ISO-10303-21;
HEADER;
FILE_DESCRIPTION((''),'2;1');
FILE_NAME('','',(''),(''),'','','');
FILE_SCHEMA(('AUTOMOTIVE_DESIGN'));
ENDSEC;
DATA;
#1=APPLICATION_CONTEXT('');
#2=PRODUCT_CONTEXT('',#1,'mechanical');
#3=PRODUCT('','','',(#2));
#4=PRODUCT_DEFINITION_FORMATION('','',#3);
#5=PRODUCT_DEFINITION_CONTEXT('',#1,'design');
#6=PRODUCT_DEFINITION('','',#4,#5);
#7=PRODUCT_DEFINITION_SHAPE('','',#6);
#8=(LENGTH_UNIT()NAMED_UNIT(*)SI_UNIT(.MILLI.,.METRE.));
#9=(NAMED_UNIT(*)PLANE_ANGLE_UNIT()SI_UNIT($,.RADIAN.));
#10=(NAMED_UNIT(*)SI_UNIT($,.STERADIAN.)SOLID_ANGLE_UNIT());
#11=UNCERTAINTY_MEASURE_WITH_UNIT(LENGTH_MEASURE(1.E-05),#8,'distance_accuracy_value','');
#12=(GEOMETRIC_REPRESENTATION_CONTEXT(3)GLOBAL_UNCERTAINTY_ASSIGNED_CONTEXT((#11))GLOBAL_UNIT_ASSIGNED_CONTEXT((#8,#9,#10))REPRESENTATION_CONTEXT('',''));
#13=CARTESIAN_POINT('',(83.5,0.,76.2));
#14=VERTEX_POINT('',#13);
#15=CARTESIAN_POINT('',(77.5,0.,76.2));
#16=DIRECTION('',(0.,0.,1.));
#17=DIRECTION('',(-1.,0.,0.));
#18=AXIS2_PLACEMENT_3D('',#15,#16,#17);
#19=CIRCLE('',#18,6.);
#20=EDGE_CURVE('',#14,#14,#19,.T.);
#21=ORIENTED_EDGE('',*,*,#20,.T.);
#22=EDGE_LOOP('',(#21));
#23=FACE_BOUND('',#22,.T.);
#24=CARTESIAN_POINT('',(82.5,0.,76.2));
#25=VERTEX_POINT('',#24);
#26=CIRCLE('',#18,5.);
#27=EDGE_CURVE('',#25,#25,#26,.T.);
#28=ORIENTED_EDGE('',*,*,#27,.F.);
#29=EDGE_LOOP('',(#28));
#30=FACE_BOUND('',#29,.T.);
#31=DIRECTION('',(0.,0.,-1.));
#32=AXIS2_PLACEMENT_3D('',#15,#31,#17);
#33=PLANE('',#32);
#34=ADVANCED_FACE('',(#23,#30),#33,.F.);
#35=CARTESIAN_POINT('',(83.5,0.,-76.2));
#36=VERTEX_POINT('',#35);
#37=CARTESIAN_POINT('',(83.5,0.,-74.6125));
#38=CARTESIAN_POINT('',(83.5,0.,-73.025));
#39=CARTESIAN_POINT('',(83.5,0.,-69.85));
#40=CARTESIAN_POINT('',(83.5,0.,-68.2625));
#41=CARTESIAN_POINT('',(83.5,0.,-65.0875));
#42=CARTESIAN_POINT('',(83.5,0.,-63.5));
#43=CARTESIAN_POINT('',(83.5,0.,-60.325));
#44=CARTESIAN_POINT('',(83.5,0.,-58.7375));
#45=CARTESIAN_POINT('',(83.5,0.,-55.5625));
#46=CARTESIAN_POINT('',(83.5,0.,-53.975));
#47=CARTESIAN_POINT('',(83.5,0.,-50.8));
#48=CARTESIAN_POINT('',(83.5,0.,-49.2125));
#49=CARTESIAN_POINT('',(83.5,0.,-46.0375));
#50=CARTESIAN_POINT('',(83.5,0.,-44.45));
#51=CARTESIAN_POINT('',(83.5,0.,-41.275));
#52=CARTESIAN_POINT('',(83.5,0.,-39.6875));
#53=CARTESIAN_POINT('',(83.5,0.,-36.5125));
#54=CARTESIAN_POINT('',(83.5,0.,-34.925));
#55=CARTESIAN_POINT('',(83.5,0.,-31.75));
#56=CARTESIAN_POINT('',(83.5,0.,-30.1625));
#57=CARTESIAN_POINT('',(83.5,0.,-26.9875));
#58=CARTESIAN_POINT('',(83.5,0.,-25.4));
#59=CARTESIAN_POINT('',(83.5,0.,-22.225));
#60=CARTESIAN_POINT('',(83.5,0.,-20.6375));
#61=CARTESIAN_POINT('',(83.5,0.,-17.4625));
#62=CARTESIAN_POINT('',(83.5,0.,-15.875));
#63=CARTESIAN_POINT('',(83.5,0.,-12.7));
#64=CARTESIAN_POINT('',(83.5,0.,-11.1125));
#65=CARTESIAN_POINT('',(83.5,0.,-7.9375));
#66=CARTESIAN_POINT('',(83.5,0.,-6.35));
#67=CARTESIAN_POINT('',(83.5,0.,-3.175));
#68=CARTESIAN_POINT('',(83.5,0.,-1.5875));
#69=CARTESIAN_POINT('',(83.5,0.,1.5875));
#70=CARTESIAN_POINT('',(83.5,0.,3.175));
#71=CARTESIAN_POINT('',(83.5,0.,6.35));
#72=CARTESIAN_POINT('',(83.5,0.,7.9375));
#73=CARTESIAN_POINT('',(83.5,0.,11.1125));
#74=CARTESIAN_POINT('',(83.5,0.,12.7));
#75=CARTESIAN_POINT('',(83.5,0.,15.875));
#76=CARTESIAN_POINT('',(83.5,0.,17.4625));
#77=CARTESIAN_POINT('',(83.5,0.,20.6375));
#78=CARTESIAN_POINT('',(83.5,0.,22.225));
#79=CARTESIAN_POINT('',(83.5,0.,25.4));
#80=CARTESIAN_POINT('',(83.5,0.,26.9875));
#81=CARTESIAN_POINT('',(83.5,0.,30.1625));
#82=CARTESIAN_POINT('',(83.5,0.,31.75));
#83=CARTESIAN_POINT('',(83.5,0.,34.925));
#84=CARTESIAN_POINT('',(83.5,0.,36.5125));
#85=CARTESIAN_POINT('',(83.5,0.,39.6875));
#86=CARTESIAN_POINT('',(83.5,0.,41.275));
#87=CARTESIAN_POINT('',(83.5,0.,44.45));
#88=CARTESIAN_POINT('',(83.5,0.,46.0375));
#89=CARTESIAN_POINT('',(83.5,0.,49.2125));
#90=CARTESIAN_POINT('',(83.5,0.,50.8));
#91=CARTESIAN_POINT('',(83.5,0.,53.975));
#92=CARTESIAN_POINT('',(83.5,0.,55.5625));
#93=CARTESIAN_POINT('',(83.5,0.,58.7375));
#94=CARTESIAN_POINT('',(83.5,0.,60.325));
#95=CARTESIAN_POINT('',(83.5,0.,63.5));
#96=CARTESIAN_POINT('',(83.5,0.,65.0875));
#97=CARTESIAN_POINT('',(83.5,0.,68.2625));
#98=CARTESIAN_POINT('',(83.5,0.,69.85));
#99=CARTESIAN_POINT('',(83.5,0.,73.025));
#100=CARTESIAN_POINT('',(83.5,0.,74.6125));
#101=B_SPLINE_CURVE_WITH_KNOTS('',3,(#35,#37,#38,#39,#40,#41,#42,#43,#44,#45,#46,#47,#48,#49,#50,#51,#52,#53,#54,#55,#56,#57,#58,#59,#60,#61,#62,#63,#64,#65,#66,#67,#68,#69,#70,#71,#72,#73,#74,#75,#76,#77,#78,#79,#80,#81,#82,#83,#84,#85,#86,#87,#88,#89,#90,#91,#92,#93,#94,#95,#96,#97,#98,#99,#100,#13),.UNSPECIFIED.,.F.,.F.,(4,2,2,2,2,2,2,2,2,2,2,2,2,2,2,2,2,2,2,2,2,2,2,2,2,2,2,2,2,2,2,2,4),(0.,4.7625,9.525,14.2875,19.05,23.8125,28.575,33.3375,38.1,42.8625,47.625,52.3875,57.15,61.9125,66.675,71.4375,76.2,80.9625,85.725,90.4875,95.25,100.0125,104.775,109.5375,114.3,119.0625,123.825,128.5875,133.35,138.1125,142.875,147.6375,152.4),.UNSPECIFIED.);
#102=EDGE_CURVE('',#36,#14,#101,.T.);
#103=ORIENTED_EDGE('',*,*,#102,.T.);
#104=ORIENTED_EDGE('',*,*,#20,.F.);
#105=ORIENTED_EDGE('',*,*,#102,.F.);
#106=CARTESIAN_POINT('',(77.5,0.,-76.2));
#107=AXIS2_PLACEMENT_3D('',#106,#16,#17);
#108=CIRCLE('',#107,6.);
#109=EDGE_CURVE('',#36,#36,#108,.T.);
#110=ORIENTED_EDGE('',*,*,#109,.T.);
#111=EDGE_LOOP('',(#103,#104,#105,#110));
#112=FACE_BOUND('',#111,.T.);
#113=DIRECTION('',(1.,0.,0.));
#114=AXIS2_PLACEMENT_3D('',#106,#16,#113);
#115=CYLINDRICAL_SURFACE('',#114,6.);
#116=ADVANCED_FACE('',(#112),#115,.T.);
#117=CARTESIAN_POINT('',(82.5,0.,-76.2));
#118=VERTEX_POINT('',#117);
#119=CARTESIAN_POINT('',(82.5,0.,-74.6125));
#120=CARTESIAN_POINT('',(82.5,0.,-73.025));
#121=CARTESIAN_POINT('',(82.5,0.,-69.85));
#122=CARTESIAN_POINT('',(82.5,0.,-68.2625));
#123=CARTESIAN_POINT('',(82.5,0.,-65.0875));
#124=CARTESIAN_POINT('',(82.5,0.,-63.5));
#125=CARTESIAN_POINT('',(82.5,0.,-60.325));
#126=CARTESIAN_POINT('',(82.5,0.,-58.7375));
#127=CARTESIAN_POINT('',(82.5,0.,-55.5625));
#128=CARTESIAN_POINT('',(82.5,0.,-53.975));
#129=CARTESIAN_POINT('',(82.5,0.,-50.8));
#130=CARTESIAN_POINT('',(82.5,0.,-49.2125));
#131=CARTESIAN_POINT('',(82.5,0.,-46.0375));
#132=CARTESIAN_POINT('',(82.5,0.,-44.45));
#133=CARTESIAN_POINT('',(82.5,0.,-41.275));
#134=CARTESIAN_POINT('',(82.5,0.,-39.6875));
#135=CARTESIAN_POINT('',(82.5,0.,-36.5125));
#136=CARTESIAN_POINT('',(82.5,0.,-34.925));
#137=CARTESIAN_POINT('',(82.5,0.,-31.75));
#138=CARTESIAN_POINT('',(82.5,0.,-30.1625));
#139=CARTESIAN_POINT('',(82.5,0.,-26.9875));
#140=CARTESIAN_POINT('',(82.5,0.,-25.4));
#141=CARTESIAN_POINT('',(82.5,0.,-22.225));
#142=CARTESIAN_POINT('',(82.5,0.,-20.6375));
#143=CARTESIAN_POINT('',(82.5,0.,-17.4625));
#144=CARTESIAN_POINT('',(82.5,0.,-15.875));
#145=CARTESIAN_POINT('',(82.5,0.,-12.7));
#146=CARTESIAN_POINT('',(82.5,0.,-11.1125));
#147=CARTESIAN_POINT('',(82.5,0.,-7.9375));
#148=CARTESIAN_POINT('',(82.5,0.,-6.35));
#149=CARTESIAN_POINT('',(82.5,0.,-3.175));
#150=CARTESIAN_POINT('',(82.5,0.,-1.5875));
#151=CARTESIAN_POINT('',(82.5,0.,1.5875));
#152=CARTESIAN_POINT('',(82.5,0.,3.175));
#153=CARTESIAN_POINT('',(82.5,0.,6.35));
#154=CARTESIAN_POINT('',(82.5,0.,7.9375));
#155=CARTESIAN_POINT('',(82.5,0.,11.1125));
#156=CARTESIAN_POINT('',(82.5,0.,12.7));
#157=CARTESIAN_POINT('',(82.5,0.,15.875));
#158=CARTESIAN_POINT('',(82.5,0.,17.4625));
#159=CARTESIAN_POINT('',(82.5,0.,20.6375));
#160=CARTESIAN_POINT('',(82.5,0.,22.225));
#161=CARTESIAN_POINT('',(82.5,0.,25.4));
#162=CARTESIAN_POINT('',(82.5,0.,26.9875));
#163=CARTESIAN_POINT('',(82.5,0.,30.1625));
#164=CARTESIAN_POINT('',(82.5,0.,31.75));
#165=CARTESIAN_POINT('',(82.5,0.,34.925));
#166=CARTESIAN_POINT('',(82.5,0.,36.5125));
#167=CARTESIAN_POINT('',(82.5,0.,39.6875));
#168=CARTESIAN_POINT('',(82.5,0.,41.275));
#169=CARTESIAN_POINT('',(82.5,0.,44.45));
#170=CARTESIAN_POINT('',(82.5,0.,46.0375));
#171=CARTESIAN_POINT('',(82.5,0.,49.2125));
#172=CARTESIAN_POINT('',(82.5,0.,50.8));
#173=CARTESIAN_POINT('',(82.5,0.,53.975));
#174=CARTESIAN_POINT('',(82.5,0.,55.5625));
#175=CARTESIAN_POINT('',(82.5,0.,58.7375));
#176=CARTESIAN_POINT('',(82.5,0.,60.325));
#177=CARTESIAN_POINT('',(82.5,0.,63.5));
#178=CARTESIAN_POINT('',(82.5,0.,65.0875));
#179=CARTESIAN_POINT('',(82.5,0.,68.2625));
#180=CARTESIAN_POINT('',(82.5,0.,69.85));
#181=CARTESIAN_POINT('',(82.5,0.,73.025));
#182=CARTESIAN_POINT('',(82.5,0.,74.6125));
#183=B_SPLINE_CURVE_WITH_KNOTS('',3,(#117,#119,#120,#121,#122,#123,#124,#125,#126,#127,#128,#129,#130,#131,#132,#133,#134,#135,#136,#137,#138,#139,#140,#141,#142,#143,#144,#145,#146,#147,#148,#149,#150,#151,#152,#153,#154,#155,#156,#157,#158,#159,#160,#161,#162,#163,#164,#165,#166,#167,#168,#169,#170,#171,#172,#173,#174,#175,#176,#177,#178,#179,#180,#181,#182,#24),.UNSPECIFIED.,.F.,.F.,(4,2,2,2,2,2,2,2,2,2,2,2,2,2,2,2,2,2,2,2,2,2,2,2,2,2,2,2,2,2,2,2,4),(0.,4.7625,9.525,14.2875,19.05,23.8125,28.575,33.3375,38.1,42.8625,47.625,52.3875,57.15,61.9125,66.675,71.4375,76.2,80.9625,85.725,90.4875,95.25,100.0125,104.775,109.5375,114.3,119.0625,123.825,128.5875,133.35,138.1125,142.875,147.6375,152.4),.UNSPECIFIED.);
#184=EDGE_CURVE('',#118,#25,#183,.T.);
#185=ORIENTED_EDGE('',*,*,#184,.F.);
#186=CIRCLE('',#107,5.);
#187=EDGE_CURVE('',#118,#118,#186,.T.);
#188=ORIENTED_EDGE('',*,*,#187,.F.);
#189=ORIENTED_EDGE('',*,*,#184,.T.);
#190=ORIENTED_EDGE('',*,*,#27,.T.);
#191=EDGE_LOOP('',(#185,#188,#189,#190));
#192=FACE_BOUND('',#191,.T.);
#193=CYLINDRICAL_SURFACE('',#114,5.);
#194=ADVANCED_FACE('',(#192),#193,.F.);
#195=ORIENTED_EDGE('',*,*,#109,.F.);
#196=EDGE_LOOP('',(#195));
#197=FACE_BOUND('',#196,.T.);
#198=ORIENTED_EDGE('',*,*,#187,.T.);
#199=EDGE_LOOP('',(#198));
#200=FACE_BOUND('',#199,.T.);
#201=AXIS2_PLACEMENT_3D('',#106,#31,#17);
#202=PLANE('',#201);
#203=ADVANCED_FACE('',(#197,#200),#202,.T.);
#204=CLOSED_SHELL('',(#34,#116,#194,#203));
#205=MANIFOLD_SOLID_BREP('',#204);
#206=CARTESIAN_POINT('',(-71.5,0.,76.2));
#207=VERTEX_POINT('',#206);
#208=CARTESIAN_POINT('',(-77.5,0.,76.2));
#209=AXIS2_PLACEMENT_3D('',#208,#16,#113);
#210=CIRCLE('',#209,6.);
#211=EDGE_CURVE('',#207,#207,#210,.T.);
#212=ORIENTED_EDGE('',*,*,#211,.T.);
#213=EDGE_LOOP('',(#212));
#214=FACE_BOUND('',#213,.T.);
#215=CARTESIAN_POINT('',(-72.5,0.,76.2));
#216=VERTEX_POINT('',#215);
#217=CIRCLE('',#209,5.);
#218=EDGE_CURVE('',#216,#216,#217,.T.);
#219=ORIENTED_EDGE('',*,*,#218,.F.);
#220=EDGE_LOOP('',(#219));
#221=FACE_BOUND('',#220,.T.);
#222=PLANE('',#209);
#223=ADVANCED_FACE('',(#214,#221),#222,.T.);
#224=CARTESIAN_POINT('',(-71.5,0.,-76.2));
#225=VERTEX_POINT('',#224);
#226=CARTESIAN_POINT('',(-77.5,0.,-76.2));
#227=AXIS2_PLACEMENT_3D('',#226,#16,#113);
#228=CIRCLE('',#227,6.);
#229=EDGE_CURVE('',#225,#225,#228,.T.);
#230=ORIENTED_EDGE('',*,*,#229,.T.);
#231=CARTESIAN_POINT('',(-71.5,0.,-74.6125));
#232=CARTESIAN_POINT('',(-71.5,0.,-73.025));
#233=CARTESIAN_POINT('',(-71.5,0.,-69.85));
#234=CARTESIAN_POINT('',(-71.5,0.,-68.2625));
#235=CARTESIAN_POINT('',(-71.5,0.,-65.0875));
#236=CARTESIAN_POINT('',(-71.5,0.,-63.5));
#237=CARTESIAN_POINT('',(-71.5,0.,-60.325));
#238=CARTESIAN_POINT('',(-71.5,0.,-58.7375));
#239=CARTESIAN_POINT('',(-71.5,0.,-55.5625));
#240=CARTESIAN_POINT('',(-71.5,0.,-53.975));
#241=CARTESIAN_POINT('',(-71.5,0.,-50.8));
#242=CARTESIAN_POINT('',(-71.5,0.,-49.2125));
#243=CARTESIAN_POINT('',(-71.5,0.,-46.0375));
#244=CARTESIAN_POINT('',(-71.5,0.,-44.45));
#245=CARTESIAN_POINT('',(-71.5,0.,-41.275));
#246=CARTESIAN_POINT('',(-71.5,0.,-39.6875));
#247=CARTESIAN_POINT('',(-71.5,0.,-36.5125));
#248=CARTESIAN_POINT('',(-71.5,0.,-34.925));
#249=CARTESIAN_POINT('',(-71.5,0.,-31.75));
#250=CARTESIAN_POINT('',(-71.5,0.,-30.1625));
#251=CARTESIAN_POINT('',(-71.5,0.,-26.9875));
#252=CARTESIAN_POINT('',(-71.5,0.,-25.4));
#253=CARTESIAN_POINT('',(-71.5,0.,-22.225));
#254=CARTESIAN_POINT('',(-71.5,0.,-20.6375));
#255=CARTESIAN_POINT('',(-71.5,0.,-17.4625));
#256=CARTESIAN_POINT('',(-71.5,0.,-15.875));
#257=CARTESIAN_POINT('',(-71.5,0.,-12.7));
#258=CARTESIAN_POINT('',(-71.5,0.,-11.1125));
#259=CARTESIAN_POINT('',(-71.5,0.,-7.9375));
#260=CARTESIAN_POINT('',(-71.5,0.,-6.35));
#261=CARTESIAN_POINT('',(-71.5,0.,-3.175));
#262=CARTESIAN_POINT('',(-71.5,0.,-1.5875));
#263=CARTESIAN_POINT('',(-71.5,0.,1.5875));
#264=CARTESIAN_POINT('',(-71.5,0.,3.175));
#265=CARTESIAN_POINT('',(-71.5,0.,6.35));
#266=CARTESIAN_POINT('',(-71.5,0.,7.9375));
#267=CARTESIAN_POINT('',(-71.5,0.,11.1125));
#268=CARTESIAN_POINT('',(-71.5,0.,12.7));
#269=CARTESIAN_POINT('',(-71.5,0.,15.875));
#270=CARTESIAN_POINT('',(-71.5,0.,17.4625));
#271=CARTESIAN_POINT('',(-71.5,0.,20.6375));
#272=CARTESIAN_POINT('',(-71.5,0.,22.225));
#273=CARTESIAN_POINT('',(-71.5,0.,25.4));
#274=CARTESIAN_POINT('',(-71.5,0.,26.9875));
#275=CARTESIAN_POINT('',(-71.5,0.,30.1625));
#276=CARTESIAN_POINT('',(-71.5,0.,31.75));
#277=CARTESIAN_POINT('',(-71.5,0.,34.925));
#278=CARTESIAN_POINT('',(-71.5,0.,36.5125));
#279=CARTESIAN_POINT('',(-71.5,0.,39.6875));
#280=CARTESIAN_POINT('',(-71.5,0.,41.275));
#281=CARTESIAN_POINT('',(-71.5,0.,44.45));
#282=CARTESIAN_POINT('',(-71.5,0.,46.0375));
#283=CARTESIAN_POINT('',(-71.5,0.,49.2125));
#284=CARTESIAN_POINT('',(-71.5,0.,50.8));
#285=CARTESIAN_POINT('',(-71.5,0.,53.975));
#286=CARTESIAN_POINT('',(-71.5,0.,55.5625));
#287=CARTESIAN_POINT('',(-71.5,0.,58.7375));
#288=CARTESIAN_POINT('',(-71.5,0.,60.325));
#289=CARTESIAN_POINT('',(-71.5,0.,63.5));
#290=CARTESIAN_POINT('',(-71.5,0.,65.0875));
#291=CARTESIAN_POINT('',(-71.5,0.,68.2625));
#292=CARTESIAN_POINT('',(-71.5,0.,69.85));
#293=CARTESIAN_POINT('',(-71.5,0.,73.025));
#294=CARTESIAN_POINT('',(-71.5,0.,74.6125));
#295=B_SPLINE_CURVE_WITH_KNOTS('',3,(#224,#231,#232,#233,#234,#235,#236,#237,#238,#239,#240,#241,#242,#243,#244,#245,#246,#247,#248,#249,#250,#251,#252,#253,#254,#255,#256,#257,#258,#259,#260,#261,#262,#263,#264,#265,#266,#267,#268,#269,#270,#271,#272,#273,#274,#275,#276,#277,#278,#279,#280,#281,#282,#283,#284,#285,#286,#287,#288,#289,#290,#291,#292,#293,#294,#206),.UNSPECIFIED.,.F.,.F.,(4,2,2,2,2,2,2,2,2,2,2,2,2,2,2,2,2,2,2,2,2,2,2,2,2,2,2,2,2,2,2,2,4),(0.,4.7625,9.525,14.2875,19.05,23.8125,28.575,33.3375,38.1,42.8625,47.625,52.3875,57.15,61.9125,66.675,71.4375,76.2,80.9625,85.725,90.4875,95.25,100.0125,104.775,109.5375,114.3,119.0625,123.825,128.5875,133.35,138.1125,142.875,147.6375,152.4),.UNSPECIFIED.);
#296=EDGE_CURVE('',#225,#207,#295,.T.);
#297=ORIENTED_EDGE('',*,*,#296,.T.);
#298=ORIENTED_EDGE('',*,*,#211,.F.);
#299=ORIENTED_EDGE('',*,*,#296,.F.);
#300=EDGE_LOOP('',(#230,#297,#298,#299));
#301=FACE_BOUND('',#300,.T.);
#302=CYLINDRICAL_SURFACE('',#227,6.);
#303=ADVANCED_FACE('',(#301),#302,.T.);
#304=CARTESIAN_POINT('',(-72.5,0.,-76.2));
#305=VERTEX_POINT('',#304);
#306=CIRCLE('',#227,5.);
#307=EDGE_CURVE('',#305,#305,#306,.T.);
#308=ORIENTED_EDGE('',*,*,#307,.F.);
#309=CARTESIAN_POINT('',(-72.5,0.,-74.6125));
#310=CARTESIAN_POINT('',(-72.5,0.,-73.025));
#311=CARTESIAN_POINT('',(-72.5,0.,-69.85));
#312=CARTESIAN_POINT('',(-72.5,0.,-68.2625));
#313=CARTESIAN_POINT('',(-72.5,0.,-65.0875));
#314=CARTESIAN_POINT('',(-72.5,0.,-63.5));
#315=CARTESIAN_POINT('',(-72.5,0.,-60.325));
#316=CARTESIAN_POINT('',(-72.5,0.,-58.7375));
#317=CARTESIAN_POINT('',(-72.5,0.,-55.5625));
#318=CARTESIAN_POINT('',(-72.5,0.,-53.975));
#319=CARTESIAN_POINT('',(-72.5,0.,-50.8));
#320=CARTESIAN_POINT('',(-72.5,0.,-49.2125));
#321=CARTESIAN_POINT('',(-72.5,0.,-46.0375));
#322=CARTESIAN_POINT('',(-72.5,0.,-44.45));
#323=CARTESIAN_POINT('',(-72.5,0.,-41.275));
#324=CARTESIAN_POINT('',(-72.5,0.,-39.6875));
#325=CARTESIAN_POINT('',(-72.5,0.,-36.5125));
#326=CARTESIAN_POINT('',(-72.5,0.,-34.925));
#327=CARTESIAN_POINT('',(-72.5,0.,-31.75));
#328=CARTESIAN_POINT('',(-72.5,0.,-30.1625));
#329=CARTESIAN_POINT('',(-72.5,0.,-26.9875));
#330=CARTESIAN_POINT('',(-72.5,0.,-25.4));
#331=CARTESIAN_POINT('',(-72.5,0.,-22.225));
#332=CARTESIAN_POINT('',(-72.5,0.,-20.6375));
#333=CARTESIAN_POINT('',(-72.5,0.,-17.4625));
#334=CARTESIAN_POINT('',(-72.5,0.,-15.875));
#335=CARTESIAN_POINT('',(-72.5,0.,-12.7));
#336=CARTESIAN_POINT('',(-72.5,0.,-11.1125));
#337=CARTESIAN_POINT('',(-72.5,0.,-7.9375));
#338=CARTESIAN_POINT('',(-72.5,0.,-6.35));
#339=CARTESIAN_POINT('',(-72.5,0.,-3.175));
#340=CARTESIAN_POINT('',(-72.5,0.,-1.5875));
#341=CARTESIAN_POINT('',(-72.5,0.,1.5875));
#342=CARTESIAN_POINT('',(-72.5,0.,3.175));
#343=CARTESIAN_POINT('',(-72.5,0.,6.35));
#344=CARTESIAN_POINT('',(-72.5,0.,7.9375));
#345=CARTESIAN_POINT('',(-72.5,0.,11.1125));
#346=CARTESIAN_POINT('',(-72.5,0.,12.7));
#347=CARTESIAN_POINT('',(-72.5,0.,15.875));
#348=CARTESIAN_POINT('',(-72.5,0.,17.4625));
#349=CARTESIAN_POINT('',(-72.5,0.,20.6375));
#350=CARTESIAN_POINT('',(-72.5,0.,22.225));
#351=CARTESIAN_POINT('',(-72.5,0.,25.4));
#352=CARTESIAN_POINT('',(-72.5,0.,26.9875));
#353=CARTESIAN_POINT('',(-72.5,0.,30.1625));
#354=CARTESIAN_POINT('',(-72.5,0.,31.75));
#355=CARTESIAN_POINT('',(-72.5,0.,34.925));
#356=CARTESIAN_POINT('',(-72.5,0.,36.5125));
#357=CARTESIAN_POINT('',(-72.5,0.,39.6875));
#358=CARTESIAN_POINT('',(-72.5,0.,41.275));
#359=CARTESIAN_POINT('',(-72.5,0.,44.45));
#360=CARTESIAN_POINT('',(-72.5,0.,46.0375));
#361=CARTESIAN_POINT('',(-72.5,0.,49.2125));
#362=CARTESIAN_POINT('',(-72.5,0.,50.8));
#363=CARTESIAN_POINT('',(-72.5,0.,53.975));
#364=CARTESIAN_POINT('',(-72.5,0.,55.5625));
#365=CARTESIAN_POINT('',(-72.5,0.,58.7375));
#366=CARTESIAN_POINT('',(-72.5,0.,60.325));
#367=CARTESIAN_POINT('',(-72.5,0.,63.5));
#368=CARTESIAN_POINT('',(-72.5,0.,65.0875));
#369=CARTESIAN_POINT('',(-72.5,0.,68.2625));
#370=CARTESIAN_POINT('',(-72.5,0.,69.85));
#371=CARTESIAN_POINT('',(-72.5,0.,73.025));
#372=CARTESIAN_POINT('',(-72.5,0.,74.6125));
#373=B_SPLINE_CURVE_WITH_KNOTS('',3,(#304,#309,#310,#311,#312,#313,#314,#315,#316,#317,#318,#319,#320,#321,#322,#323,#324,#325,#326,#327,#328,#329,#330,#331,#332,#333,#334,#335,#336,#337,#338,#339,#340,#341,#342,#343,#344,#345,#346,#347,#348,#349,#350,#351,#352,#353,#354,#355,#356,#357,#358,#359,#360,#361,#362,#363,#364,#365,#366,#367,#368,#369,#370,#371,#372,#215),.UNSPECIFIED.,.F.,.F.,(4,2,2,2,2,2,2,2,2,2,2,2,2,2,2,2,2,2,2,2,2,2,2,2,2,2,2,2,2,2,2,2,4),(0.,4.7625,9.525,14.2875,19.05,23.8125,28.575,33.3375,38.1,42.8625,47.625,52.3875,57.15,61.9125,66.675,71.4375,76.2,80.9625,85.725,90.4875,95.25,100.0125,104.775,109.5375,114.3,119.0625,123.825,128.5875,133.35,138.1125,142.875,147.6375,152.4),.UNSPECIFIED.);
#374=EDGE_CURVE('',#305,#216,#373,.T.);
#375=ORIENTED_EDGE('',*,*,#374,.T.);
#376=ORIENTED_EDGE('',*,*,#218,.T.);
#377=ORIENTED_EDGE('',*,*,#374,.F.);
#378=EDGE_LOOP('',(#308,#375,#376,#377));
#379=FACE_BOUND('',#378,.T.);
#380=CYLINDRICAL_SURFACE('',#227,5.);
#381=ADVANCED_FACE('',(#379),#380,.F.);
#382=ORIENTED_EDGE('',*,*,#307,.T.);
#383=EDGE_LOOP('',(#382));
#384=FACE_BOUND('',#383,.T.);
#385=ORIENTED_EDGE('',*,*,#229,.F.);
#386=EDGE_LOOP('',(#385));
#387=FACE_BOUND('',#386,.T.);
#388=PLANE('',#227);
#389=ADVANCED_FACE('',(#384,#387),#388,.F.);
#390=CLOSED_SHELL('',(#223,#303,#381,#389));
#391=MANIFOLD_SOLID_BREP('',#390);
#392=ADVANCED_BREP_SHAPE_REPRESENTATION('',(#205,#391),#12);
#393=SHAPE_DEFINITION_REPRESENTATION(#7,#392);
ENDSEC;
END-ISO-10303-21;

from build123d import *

# Parameters (mm, degrees)
SKETCH1_R             = 6
SKETCH1_R_2           = 5
BOSS_EXTRUDE1_DEPTH   = 76.2
BOSS_EXTRUDE1_2_DEPTH = 76.2


with BuildPart() as part:
    # Sketch1 → Boss-Extrude1 (new, symmetric)
    with BuildSketch(Plane.XY):
        with Locations((-77.5, 0)):
            Circle(SKETCH1_R)
        with Locations((-77.5, 0)):
            Circle(SKETCH1_R_2, mode=Mode.SUBTRACT)
    extrude(amount=BOSS_EXTRUDE1_DEPTH, both=True)


with BuildPart() as body_2:
    # Sketch1 → Boss-Extrude1 2 (new, symmetric)
    with BuildSketch(Plane.XY):
        with Locations((77.5, 0)):
            Circle(SKETCH1_R)
        with Locations((77.5, 0)):
            Circle(SKETCH1_R_2, mode=Mode.SUBTRACT)
    extrude(amount=BOSS_EXTRUDE1_2_DEPTH, both=True)


solid = Compound([part.part, body_2.part])
